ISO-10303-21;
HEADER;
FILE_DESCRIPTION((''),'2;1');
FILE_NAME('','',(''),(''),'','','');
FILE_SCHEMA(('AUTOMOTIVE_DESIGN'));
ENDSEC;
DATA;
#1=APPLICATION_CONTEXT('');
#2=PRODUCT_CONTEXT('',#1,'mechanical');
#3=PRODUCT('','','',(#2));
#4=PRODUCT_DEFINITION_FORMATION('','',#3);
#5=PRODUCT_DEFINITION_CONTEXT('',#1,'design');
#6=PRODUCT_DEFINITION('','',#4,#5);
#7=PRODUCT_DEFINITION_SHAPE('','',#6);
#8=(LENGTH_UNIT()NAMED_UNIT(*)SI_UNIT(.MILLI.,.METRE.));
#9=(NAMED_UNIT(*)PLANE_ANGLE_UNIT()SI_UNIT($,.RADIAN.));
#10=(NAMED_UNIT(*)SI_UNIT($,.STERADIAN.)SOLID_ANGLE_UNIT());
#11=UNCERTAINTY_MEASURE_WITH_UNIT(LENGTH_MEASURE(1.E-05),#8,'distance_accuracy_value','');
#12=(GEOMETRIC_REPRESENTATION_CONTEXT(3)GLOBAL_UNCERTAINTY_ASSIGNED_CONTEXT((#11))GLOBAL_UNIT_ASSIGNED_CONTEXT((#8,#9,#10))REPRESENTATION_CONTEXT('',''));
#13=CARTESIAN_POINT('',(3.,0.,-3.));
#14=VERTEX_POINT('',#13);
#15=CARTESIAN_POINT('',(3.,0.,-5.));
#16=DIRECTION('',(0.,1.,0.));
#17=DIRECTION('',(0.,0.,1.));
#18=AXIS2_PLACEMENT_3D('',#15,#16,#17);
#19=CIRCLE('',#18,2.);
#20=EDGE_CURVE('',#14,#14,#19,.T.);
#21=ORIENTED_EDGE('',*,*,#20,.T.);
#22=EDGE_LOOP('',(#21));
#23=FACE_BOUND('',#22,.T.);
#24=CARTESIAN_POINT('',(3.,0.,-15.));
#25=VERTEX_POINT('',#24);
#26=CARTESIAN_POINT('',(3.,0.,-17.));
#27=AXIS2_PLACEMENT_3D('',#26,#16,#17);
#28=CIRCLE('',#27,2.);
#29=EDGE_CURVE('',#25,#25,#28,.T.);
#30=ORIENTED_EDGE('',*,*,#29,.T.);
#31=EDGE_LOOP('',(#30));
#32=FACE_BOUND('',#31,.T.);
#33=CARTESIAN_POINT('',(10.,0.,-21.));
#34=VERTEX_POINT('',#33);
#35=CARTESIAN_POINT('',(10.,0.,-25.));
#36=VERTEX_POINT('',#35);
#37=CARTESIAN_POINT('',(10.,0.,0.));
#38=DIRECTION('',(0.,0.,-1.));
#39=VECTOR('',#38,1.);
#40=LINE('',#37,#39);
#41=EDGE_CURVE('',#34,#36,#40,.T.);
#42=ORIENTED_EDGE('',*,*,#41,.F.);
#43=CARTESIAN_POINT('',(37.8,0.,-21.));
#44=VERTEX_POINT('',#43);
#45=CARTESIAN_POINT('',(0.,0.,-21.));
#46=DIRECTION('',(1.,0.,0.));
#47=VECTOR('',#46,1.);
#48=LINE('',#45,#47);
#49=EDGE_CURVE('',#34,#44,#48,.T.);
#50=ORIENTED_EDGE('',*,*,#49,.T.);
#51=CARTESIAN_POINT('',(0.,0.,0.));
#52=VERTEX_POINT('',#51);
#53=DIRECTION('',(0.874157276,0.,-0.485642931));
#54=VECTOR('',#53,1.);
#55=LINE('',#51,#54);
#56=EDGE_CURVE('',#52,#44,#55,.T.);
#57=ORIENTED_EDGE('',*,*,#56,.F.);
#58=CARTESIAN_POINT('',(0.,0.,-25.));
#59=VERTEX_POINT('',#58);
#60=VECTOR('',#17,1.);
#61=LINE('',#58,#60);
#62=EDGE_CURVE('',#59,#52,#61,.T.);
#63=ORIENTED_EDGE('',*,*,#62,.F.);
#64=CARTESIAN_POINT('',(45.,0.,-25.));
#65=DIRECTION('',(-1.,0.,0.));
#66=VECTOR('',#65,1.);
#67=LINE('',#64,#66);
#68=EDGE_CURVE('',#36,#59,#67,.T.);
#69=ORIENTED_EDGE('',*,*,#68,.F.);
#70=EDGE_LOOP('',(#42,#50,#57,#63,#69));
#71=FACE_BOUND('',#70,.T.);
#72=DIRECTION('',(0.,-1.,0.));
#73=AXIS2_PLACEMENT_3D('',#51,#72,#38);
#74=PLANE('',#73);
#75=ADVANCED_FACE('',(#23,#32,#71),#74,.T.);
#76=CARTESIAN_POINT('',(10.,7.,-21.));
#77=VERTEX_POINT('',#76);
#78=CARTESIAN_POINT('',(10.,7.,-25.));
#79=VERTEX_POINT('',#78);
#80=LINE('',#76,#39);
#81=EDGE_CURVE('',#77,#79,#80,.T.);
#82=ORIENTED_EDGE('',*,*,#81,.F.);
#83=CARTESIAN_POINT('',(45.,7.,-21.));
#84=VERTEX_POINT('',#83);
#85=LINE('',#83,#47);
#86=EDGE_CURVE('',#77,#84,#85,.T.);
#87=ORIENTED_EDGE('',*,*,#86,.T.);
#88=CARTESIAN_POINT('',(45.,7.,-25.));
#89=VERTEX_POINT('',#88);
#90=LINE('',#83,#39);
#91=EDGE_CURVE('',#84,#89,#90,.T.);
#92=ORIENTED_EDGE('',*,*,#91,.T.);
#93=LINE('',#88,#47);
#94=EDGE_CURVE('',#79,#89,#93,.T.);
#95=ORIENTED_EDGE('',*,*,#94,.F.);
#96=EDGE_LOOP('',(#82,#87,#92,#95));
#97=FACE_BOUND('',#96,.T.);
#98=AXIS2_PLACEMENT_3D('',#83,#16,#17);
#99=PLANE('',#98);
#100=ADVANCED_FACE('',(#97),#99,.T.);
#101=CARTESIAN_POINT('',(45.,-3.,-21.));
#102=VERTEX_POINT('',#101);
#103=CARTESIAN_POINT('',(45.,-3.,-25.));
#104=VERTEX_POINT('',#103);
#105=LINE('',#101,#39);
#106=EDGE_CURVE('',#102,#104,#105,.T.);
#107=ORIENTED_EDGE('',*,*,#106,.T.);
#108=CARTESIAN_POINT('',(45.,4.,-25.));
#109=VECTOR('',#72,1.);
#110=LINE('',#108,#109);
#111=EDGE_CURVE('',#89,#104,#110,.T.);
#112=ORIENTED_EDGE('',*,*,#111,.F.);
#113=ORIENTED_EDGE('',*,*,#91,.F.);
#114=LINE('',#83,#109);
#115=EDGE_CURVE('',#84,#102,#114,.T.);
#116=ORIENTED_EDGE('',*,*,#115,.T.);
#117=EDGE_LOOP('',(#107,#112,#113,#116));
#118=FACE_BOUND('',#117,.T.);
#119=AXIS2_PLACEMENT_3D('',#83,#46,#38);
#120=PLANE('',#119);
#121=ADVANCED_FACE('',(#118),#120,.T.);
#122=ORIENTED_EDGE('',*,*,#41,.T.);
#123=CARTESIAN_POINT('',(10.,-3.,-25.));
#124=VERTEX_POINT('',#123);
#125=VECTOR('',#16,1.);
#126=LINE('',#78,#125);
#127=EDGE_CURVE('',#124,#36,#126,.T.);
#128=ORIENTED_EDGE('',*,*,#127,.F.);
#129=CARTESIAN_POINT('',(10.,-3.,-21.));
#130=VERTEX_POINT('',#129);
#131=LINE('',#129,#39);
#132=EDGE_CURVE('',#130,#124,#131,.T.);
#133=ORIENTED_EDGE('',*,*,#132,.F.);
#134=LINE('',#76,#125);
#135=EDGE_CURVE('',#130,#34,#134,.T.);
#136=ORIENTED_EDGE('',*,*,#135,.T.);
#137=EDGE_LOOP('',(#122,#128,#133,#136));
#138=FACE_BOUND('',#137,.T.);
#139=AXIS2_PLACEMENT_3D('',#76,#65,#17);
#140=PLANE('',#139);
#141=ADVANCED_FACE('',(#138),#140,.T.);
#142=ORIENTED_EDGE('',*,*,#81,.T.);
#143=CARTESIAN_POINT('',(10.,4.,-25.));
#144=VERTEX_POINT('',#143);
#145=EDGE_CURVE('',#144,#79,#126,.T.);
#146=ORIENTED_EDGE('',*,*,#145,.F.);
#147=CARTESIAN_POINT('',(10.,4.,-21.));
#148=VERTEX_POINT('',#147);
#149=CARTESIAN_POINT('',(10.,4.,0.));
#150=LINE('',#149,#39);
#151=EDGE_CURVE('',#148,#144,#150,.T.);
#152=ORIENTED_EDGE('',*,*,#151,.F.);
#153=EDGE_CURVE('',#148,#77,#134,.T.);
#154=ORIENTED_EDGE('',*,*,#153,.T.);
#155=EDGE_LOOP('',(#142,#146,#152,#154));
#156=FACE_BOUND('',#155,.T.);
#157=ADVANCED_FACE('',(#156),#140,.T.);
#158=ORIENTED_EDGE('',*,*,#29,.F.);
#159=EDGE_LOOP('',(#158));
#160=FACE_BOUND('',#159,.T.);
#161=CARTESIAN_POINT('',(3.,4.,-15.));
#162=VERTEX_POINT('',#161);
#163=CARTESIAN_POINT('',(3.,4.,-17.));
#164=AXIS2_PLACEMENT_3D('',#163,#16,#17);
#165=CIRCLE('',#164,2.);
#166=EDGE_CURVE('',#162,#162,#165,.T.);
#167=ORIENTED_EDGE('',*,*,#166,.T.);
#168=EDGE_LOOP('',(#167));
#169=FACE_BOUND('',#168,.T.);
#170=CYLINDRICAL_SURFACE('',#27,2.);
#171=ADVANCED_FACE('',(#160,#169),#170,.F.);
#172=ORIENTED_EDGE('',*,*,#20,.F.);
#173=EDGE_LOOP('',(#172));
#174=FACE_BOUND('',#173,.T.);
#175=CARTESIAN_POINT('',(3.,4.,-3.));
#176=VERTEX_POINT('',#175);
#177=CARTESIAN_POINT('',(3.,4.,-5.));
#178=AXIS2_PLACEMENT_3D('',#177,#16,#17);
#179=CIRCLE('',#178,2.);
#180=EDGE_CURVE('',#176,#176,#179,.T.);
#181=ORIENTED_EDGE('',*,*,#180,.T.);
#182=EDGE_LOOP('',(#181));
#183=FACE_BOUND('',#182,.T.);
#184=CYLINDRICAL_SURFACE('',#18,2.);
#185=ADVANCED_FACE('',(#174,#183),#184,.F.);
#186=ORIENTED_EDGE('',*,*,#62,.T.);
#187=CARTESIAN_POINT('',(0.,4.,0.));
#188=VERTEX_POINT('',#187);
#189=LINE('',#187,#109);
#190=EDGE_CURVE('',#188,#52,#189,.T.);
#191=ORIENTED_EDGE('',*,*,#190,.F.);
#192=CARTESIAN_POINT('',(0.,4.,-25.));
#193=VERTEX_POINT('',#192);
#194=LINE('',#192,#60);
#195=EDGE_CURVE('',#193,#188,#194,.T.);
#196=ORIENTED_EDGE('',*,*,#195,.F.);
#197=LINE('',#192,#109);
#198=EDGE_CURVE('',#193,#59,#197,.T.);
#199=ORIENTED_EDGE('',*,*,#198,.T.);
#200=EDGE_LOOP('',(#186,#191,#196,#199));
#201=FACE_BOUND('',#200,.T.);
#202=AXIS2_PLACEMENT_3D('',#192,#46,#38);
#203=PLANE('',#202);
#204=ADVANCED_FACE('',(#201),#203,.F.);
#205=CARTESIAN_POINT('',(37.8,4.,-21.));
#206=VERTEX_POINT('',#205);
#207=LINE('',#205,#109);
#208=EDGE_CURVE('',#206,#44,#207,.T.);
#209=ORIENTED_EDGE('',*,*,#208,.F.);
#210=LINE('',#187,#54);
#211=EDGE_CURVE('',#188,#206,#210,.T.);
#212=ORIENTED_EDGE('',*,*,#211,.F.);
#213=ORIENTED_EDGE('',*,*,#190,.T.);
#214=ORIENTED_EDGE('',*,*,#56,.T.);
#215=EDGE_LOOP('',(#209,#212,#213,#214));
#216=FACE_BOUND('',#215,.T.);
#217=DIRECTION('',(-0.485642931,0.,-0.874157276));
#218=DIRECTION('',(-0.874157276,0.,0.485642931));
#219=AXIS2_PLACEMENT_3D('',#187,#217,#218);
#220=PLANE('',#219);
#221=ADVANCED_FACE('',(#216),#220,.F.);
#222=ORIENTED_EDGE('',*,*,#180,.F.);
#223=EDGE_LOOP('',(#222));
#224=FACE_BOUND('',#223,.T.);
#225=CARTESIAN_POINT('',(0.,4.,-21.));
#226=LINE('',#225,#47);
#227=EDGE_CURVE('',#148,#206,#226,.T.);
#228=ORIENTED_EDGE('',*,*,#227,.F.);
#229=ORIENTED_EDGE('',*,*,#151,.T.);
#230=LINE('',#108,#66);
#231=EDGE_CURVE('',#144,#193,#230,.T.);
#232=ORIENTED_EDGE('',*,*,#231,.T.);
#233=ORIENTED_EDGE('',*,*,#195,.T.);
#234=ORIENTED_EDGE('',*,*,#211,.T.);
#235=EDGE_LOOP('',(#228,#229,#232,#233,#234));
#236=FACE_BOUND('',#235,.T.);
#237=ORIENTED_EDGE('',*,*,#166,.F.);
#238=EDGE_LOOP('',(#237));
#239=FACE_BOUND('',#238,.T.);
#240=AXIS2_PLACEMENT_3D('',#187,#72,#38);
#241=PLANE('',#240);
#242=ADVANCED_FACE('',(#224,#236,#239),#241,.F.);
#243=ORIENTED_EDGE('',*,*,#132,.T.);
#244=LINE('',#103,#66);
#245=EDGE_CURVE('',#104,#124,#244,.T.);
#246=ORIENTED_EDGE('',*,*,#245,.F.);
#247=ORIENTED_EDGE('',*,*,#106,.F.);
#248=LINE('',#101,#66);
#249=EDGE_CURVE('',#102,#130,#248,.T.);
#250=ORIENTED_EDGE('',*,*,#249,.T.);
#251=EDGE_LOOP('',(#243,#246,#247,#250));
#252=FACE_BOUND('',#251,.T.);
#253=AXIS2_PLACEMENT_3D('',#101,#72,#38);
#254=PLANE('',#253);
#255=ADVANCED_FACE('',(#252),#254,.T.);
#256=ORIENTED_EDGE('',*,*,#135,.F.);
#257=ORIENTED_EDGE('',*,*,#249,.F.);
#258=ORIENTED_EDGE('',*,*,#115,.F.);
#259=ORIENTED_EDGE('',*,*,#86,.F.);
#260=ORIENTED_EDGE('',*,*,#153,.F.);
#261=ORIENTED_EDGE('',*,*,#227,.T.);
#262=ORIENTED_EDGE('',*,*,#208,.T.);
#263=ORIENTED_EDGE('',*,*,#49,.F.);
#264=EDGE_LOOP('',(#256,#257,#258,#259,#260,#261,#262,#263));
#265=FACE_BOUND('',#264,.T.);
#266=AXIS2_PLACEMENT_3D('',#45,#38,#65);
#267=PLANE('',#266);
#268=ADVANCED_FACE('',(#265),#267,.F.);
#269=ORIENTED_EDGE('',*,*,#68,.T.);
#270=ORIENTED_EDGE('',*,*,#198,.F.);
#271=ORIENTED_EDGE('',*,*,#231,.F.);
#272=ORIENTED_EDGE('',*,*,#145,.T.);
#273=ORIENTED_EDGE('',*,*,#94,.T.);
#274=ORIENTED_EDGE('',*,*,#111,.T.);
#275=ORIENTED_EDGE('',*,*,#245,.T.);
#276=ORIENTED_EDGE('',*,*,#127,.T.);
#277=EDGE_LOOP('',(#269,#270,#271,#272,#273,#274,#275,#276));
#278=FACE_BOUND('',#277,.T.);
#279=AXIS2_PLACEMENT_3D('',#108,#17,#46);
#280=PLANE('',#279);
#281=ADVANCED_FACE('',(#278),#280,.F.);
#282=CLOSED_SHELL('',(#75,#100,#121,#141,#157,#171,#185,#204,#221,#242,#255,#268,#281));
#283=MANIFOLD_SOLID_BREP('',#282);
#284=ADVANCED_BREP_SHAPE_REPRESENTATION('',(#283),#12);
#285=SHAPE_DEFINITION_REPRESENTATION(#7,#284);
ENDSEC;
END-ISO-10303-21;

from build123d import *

# Parameters (mm, degrees)
BOSS_EXTRU_1_DEPTH      = 4
ESQUISSE2_R             = 2
ENL_V_MAT_EXTRU_1_DEPTH = 4
ESQUISSE4_W             = 35
ESQUISSE4_H             = 10
BOSS_EXTRU_2_DEPTH      = 4


with BuildPart() as part:
    # Esquisse1 → Boss.-Extru.1 (new body)
    with BuildSketch(Plane(origin=(0, 0, 0), x_dir=(1, 0, 0), z_dir=(0, 1, 0))):
        Polygon((0, 0), (45, 25), (0, 25), align=None)
    extrude(amount=BOSS_EXTRU_1_DEPTH)

    # Esquisse2 → Enlèv. mat.-Extru.1 (cut)
    with BuildSketch(Plane(origin=(0, 4, 0), x_dir=(1, 0, 0), z_dir=(0, 1, 0))):
        with Locations(Location((3, 17, 0), (0, 0, 270))):
            Circle(ESQUISSE2_R)
        with Locations(Location((3, 5, 0), (0, 0, 270))):
            Circle(ESQUISSE2_R)
    extrude(amount=-ENL_V_MAT_EXTRU_1_DEPTH, mode=Mode.SUBTRACT)

    # Esquisse4 → Boss.-Extru.2 (add)
    with BuildSketch(Plane(origin=(0, 0, -25), x_dir=(-1, 0, 0), z_dir=(0, 0, -1))):
        with Locations((-27.5, 2)):
            Rectangle(ESQUISSE4_W, ESQUISSE4_H)
    extrude(amount=-BOSS_EXTRU_2_DEPTH)


solid = part.part
